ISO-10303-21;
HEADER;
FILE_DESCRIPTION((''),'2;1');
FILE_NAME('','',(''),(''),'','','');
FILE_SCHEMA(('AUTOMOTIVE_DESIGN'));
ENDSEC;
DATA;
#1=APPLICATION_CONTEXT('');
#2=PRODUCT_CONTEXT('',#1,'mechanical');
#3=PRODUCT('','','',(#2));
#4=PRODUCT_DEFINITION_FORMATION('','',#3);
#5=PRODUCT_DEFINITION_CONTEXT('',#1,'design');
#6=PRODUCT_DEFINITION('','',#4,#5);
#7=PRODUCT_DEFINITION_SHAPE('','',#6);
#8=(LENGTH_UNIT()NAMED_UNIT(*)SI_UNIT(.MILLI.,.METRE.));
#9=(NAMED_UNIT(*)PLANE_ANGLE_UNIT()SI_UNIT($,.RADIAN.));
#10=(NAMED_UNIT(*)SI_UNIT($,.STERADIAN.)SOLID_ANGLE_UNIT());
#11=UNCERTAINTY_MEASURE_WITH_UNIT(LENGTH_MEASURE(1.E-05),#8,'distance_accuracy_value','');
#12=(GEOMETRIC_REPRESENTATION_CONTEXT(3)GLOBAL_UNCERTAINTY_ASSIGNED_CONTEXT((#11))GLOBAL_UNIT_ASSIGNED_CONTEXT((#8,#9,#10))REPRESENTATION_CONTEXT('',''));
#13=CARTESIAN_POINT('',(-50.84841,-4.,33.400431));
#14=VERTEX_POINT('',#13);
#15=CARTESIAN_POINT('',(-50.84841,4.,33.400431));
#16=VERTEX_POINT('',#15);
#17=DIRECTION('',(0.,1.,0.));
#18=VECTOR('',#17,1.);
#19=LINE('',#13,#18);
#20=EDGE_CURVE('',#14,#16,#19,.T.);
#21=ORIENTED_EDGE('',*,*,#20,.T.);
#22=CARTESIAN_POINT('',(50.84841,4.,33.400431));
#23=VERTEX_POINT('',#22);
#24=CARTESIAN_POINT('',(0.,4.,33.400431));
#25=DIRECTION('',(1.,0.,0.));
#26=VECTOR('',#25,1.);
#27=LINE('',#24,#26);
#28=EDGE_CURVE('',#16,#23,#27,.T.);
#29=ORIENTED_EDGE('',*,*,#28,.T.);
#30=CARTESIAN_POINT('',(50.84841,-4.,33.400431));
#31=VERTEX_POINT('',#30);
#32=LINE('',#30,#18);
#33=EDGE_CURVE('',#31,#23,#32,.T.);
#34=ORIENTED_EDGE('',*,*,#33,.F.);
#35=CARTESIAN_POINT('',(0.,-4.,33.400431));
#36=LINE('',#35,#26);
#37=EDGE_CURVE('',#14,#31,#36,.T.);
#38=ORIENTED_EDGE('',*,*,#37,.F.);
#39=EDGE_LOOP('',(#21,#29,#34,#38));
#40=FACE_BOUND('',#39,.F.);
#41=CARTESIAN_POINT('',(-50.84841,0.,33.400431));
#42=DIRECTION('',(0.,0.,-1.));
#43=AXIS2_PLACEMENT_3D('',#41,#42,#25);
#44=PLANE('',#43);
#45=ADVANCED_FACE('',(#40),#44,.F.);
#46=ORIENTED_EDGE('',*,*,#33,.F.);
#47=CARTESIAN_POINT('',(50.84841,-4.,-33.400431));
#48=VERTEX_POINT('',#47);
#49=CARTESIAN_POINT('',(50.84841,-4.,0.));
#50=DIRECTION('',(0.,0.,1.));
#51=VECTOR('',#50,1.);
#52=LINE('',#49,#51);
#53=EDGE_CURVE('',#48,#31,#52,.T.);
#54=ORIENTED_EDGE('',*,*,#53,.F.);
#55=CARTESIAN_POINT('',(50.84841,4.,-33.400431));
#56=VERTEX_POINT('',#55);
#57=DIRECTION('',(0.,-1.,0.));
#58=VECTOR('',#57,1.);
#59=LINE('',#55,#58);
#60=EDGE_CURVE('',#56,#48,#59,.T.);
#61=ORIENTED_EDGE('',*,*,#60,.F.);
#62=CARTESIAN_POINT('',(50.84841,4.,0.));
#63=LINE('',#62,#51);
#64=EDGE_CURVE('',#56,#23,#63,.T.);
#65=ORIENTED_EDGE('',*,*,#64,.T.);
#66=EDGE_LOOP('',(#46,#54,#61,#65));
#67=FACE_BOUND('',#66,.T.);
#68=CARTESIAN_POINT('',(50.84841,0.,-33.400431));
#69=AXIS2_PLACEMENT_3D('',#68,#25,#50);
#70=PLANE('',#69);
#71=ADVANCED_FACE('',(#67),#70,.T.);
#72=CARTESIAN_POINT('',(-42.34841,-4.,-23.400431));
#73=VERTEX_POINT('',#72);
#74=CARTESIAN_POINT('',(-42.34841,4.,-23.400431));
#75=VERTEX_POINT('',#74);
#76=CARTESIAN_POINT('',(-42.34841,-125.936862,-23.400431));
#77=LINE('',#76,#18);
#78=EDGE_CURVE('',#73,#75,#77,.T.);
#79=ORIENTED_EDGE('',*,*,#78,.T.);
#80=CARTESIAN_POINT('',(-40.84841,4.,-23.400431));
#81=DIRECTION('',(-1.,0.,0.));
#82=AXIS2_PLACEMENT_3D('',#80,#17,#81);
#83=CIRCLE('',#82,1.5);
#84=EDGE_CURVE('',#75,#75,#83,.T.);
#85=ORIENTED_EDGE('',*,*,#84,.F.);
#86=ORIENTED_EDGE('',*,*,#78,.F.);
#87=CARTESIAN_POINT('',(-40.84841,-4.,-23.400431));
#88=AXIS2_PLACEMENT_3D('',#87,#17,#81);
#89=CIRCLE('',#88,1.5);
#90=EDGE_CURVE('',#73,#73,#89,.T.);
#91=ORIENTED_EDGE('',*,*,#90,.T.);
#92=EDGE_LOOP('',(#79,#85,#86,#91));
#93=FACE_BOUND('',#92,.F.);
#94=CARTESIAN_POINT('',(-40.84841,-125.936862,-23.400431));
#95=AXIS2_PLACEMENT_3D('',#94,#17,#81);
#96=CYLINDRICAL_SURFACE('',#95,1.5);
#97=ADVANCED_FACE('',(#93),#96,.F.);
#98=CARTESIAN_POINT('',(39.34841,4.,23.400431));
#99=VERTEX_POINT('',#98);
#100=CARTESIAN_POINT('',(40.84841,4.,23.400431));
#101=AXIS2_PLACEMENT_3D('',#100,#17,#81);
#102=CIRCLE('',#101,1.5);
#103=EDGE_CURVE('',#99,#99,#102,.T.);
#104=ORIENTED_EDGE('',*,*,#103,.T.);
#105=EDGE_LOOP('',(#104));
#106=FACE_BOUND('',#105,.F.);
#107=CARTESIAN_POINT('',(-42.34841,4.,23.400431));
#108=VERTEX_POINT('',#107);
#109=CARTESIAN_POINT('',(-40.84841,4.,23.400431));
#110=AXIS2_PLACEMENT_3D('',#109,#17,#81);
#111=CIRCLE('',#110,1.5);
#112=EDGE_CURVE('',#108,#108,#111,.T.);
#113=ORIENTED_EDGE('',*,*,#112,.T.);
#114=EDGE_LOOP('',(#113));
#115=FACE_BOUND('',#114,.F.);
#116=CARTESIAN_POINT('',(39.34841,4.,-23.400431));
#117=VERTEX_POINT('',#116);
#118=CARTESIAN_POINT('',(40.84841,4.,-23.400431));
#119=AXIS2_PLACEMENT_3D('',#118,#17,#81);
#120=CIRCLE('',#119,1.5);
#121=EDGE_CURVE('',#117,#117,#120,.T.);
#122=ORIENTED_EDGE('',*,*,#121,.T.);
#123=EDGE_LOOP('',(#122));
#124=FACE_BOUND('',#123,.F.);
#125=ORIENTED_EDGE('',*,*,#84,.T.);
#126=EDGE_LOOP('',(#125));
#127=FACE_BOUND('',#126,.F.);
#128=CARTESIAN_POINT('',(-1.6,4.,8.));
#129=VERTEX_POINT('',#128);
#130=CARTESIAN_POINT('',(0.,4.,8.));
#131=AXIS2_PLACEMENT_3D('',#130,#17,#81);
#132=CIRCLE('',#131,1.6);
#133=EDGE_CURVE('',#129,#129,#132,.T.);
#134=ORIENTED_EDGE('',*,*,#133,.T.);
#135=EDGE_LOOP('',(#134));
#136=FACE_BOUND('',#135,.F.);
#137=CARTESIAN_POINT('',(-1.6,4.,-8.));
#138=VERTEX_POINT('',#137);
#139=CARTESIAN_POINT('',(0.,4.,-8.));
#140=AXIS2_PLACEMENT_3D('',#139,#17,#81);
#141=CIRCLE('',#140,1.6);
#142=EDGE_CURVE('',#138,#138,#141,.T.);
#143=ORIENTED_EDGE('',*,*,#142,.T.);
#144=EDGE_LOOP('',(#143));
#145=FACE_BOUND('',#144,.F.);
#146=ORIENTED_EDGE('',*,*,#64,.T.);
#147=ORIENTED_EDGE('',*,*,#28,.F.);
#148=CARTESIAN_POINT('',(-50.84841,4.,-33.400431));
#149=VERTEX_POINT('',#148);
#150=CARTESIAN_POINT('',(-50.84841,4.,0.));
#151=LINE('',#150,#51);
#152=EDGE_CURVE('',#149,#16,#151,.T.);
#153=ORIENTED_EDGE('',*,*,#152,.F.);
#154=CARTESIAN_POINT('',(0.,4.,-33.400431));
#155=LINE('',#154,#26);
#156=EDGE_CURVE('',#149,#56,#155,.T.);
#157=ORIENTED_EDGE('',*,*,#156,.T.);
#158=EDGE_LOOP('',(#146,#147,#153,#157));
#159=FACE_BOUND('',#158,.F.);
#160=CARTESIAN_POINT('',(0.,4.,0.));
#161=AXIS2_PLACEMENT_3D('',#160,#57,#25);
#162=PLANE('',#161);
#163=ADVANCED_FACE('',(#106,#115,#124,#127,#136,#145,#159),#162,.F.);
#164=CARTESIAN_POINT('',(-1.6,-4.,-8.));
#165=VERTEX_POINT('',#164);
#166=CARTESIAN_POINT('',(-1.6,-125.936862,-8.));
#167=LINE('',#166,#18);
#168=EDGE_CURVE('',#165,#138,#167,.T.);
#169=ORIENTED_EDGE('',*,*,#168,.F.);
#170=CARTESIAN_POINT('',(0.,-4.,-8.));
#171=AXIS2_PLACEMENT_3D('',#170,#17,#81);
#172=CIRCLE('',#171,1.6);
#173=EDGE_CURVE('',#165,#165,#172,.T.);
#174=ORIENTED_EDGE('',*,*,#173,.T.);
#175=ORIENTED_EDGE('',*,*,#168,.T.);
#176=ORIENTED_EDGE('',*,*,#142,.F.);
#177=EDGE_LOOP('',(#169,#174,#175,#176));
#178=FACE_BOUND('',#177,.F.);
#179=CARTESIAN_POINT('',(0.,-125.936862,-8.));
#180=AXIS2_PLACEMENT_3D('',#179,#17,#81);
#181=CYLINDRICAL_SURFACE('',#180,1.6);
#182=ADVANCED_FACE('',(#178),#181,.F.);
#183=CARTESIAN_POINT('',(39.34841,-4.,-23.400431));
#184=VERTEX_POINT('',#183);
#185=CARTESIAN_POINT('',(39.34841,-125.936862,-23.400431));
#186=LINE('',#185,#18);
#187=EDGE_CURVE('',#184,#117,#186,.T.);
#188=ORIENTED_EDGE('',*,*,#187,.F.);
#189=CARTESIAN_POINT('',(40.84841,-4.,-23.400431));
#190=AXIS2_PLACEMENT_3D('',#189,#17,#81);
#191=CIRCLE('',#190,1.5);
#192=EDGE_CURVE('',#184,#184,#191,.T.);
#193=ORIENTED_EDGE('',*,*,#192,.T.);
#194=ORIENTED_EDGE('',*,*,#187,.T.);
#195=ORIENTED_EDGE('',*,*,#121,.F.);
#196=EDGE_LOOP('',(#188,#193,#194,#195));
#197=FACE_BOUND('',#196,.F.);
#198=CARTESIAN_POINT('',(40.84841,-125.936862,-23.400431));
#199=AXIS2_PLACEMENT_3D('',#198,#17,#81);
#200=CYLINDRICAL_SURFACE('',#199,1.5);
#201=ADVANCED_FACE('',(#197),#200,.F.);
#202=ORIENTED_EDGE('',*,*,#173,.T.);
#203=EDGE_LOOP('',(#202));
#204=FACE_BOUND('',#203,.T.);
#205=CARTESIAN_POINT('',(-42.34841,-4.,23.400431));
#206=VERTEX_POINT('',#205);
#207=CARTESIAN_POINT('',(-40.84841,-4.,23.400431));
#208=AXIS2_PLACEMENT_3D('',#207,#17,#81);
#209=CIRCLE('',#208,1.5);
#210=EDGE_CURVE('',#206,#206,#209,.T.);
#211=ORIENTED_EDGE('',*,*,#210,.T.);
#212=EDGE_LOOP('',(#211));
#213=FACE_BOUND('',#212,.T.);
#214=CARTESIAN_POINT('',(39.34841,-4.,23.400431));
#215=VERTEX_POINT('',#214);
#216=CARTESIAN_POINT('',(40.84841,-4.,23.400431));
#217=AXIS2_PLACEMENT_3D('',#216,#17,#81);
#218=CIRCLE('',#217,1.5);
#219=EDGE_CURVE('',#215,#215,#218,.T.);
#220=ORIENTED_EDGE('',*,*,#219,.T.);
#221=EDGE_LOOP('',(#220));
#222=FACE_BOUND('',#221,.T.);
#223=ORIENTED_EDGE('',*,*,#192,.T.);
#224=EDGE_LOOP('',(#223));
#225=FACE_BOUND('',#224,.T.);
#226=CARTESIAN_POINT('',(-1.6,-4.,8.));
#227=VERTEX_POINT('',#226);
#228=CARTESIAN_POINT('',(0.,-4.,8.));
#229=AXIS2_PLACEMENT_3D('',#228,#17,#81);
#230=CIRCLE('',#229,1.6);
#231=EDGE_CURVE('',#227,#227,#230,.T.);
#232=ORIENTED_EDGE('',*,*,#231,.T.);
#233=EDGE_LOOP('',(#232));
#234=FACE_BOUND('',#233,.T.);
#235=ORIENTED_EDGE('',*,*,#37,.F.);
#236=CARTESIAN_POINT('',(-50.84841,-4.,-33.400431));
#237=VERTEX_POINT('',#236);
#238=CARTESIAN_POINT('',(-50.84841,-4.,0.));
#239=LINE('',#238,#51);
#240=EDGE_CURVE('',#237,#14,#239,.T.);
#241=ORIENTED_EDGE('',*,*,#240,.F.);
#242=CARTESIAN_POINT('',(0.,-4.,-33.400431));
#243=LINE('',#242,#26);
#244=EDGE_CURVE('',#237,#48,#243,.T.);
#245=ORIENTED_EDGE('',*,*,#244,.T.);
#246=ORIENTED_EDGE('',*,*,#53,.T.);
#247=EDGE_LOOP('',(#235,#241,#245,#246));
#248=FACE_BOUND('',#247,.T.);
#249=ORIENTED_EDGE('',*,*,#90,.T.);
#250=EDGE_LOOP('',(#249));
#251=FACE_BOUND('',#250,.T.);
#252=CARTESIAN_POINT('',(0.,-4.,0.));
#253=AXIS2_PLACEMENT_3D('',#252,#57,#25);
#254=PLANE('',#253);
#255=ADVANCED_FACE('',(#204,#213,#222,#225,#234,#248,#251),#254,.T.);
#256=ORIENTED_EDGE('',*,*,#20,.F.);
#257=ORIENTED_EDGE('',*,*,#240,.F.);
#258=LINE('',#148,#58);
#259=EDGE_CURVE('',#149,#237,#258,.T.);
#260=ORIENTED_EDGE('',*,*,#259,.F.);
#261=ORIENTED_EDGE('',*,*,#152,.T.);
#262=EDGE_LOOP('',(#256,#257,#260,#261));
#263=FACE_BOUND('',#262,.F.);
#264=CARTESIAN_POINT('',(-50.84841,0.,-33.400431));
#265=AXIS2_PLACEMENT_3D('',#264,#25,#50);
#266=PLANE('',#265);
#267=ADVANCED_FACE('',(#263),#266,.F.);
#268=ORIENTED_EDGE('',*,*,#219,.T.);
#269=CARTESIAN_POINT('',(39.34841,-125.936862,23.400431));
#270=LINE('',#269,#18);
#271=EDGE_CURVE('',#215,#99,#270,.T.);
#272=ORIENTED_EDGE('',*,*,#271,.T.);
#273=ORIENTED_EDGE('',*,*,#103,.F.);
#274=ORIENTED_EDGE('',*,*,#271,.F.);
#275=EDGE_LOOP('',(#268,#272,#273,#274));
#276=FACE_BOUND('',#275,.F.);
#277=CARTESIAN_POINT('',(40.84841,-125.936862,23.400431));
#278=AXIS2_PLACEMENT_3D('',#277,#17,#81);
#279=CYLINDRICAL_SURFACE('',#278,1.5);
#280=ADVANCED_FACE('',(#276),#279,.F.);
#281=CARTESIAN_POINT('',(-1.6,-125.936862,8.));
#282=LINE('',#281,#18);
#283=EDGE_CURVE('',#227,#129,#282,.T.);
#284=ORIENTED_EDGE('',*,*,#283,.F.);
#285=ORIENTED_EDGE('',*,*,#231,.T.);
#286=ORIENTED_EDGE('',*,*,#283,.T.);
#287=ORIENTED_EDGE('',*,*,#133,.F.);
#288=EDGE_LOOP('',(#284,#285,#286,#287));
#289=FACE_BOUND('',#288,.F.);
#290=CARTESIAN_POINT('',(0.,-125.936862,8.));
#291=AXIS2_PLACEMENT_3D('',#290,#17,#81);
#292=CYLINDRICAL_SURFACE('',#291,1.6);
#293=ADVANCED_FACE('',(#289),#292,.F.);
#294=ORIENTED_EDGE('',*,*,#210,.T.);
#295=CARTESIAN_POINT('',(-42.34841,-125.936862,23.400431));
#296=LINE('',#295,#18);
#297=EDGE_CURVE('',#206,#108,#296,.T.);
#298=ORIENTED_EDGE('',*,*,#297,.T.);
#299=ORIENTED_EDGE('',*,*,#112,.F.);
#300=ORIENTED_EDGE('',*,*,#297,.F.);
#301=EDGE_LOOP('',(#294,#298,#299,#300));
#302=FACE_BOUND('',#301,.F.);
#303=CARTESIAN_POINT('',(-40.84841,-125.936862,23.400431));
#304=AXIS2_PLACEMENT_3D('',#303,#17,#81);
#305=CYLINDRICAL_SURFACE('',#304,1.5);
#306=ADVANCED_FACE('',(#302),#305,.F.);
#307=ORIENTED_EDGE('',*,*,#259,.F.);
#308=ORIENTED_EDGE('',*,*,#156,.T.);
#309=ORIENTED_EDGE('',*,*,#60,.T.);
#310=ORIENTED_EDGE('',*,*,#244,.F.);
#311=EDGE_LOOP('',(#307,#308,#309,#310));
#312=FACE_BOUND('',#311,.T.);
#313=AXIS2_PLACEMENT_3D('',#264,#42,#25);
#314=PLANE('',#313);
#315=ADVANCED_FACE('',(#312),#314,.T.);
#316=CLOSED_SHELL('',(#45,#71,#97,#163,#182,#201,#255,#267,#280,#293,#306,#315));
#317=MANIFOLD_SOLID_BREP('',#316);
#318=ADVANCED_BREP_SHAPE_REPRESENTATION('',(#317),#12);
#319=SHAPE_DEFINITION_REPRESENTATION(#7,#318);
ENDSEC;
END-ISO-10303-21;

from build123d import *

# Parameters (mm, degrees)
F0_W     = 101.69682
F0_H     = 66.800862
F1_DEPTH = 4
F3_D     = 3
F4_D     = 3.2


with BuildPart() as f1:
    # F0 (on Front) → F1 (new body, symmetric)
    with BuildSketch(Plane.XZ):
        Rectangle(F0_W, F0_H)
    extrude(amount=F1_DEPTH, both=True)

    # F3 (through all)
    with Locations(Plane.XZ.offset(4)):
        with Locations((-40.84841, 23.400431), (40.84841, 23.400431), (40.84841, -23.400431), (-40.84841, -23.400431)):
            Hole(F3_D / 2)

    # F4 (through all)
    with Locations(Plane.XZ.offset(4)):
        with Locations((0, 8), (0, -8)):
            Hole(F4_D / 2)


solid = f1.part
